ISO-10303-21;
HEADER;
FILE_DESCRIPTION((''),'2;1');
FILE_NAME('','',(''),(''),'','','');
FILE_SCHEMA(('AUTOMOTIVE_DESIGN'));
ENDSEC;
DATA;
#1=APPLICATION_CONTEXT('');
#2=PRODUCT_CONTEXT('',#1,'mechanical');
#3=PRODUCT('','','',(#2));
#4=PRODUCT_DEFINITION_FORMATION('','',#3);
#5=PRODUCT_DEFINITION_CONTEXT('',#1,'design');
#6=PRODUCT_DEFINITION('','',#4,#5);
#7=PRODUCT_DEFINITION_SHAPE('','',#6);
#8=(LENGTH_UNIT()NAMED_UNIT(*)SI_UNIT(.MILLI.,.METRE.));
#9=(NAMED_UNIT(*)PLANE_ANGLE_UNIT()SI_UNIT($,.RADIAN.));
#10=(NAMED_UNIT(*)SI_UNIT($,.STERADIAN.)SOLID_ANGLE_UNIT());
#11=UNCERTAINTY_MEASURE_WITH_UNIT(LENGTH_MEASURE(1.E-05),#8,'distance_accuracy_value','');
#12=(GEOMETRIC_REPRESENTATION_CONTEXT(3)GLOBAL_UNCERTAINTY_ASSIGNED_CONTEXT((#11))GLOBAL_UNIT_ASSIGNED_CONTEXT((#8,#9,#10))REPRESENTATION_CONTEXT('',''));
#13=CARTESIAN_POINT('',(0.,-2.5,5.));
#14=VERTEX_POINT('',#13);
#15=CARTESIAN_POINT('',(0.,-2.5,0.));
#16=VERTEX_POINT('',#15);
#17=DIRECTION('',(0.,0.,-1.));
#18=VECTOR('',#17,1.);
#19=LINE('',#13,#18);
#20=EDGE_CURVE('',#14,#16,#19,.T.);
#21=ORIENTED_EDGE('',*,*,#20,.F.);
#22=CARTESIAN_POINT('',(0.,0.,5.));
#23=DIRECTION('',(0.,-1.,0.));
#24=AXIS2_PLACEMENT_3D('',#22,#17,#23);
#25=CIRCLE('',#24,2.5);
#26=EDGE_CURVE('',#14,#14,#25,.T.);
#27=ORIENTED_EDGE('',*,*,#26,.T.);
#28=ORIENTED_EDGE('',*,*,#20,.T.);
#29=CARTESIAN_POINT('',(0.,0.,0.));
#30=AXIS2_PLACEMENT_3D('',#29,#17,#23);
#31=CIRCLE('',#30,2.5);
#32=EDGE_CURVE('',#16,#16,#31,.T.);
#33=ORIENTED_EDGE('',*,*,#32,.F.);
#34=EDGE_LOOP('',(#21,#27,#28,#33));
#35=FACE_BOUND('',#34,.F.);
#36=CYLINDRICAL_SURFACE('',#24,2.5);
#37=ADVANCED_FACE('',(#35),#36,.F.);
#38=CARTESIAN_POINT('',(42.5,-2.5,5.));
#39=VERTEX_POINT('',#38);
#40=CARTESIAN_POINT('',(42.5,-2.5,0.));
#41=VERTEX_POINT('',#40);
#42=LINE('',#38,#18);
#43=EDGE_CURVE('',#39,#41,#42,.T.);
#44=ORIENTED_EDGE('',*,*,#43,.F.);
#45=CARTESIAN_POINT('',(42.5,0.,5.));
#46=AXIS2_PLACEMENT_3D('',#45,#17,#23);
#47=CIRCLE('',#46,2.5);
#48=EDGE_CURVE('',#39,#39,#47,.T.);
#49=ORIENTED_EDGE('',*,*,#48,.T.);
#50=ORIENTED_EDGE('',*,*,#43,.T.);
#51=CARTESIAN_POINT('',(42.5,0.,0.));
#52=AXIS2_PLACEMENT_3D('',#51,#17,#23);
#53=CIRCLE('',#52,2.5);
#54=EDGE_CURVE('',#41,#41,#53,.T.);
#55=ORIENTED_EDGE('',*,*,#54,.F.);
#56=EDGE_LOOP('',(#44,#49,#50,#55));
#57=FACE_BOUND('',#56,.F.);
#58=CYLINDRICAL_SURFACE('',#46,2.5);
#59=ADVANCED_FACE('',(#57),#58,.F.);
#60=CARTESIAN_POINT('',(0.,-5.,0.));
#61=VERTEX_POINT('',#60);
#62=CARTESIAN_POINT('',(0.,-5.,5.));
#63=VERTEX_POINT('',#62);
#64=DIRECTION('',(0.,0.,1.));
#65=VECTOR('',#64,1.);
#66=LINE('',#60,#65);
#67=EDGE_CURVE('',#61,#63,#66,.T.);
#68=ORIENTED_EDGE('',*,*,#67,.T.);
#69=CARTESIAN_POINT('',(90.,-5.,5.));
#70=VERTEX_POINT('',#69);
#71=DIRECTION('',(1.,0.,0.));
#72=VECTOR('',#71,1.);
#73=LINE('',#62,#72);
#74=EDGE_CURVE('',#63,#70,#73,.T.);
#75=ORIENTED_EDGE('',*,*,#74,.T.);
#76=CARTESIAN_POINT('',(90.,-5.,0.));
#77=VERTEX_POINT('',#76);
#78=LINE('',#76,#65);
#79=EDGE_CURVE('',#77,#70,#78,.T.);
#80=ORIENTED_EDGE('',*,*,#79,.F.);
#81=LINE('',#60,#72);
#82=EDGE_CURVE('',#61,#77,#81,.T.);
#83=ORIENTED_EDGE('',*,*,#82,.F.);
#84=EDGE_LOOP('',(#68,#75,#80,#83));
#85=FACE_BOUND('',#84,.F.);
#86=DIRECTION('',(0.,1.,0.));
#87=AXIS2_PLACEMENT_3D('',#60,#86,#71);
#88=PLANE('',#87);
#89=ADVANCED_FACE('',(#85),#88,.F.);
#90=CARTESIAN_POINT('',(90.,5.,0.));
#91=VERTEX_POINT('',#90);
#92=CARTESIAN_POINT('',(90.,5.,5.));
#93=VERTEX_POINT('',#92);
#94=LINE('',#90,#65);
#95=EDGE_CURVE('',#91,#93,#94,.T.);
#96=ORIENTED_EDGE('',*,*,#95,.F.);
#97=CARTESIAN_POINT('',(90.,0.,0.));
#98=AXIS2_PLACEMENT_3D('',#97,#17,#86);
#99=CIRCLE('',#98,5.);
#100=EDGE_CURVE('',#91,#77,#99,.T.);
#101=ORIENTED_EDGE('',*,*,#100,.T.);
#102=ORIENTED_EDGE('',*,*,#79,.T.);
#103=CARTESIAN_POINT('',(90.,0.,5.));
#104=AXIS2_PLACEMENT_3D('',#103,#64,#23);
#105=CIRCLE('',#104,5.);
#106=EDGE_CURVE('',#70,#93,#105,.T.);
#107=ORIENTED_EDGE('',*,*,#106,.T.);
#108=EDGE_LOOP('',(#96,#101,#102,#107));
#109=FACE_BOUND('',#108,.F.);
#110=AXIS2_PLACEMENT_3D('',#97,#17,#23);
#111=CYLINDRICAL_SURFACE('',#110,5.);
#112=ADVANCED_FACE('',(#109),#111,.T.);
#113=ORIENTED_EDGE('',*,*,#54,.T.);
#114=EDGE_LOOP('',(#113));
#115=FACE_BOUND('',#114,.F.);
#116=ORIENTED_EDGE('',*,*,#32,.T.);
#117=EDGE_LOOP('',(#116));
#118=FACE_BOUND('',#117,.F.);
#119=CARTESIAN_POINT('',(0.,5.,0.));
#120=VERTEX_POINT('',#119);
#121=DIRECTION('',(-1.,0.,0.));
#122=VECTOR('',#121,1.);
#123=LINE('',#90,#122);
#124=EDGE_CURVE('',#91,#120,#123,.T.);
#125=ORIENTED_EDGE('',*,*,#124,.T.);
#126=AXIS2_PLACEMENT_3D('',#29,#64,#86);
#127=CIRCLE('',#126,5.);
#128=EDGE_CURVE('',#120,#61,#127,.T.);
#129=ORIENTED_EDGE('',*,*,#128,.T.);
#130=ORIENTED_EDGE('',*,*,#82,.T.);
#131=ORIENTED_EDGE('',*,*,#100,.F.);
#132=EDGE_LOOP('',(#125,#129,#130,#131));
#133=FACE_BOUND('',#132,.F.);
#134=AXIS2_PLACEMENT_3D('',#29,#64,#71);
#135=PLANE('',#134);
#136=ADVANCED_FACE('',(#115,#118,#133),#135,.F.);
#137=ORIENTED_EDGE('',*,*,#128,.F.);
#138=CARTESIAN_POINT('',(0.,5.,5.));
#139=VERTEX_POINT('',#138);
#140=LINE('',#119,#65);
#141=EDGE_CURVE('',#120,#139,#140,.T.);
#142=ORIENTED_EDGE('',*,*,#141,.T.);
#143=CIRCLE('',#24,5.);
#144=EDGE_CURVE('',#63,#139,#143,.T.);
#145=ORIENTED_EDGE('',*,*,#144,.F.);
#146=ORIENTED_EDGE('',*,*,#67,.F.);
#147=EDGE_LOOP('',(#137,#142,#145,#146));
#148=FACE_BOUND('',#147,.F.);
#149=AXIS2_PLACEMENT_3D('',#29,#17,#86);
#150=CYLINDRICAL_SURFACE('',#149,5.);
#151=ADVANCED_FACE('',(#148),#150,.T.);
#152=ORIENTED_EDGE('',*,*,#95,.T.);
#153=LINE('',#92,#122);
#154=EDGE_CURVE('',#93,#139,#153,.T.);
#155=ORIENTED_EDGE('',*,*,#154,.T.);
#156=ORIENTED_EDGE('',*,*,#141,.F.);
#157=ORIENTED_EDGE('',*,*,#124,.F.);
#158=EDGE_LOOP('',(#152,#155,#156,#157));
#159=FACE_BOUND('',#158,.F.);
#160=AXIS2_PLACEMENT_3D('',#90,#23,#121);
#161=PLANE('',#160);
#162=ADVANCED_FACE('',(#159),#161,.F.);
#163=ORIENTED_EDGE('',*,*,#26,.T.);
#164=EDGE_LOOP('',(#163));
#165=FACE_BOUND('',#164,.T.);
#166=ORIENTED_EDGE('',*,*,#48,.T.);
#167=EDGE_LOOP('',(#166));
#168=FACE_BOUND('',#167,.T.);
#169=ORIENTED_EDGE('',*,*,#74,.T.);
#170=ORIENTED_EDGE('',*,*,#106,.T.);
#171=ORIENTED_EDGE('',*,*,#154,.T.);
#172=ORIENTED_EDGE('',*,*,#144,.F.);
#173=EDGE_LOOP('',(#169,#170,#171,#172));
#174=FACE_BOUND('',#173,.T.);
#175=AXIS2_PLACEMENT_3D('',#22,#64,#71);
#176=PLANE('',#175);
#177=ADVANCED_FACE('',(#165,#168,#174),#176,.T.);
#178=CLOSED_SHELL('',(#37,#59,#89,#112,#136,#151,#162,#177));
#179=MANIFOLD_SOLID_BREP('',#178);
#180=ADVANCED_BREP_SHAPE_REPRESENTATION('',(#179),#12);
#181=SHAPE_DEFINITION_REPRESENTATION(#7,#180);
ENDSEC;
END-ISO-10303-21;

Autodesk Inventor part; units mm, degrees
ref_plane "YZ Plane" through (0, 0, 0) normal (1, 0, 0) x (0, 1, 0)
ref_plane "XZ Plane" through (0, 0, 0) normal (0, 1, 0) x (-1, 0, 0)
ref_plane "XY Plane" through (0, 0, 0) normal (0, 0, 1) x (1, 0, 0)
sketch "Skizze1" plane through (0, 0, 0) normal (0, 0, 1) x (1, 0, 0)
  line L0 (-25, 0) -> (115, 0) projected
  line L1 (0, -7) -> (0, 7) projected
  line L2 (0, 0) -> (90, 0) construction
  line L3 (0, -5) -> (90, -5)
  line L4 (90, 5) -> (0, 5)
  arc A0 (0, 5) -> (0, -5) centre (0, 0) ccw
  arc A1 (90, -5) -> (90, 5) centre (90, 0) ccw
  point P0 (45, 0)
  dimension "d0" = 90
  dimension "d1" = 10
extrude "Extrusion1" add sketch "Skizze1" along normal blind 5
sketch "Skizze2" plane through (0, 0, 5) normal (0, 0, 1) x (1, 0, 0)
  point P0 (0, 0)
  point P1 (0, 0)
hole "Bohrung1" at (0, 0, 5) direction (0, 0, -1) diameter 5 end through all
sketch "Skizze3" plane through (0, 0, 5) normal (0, 0, 1) x (1, 0, 0)
  point P0 (0, 0)
  point P1 (42.5, 0)
  dimension "d11" = 42.5
hole "Bohrung2" at (42.5, 0, 5) direction (0, 0, -1) diameter 5 end through all
properties part number "Hebel"
